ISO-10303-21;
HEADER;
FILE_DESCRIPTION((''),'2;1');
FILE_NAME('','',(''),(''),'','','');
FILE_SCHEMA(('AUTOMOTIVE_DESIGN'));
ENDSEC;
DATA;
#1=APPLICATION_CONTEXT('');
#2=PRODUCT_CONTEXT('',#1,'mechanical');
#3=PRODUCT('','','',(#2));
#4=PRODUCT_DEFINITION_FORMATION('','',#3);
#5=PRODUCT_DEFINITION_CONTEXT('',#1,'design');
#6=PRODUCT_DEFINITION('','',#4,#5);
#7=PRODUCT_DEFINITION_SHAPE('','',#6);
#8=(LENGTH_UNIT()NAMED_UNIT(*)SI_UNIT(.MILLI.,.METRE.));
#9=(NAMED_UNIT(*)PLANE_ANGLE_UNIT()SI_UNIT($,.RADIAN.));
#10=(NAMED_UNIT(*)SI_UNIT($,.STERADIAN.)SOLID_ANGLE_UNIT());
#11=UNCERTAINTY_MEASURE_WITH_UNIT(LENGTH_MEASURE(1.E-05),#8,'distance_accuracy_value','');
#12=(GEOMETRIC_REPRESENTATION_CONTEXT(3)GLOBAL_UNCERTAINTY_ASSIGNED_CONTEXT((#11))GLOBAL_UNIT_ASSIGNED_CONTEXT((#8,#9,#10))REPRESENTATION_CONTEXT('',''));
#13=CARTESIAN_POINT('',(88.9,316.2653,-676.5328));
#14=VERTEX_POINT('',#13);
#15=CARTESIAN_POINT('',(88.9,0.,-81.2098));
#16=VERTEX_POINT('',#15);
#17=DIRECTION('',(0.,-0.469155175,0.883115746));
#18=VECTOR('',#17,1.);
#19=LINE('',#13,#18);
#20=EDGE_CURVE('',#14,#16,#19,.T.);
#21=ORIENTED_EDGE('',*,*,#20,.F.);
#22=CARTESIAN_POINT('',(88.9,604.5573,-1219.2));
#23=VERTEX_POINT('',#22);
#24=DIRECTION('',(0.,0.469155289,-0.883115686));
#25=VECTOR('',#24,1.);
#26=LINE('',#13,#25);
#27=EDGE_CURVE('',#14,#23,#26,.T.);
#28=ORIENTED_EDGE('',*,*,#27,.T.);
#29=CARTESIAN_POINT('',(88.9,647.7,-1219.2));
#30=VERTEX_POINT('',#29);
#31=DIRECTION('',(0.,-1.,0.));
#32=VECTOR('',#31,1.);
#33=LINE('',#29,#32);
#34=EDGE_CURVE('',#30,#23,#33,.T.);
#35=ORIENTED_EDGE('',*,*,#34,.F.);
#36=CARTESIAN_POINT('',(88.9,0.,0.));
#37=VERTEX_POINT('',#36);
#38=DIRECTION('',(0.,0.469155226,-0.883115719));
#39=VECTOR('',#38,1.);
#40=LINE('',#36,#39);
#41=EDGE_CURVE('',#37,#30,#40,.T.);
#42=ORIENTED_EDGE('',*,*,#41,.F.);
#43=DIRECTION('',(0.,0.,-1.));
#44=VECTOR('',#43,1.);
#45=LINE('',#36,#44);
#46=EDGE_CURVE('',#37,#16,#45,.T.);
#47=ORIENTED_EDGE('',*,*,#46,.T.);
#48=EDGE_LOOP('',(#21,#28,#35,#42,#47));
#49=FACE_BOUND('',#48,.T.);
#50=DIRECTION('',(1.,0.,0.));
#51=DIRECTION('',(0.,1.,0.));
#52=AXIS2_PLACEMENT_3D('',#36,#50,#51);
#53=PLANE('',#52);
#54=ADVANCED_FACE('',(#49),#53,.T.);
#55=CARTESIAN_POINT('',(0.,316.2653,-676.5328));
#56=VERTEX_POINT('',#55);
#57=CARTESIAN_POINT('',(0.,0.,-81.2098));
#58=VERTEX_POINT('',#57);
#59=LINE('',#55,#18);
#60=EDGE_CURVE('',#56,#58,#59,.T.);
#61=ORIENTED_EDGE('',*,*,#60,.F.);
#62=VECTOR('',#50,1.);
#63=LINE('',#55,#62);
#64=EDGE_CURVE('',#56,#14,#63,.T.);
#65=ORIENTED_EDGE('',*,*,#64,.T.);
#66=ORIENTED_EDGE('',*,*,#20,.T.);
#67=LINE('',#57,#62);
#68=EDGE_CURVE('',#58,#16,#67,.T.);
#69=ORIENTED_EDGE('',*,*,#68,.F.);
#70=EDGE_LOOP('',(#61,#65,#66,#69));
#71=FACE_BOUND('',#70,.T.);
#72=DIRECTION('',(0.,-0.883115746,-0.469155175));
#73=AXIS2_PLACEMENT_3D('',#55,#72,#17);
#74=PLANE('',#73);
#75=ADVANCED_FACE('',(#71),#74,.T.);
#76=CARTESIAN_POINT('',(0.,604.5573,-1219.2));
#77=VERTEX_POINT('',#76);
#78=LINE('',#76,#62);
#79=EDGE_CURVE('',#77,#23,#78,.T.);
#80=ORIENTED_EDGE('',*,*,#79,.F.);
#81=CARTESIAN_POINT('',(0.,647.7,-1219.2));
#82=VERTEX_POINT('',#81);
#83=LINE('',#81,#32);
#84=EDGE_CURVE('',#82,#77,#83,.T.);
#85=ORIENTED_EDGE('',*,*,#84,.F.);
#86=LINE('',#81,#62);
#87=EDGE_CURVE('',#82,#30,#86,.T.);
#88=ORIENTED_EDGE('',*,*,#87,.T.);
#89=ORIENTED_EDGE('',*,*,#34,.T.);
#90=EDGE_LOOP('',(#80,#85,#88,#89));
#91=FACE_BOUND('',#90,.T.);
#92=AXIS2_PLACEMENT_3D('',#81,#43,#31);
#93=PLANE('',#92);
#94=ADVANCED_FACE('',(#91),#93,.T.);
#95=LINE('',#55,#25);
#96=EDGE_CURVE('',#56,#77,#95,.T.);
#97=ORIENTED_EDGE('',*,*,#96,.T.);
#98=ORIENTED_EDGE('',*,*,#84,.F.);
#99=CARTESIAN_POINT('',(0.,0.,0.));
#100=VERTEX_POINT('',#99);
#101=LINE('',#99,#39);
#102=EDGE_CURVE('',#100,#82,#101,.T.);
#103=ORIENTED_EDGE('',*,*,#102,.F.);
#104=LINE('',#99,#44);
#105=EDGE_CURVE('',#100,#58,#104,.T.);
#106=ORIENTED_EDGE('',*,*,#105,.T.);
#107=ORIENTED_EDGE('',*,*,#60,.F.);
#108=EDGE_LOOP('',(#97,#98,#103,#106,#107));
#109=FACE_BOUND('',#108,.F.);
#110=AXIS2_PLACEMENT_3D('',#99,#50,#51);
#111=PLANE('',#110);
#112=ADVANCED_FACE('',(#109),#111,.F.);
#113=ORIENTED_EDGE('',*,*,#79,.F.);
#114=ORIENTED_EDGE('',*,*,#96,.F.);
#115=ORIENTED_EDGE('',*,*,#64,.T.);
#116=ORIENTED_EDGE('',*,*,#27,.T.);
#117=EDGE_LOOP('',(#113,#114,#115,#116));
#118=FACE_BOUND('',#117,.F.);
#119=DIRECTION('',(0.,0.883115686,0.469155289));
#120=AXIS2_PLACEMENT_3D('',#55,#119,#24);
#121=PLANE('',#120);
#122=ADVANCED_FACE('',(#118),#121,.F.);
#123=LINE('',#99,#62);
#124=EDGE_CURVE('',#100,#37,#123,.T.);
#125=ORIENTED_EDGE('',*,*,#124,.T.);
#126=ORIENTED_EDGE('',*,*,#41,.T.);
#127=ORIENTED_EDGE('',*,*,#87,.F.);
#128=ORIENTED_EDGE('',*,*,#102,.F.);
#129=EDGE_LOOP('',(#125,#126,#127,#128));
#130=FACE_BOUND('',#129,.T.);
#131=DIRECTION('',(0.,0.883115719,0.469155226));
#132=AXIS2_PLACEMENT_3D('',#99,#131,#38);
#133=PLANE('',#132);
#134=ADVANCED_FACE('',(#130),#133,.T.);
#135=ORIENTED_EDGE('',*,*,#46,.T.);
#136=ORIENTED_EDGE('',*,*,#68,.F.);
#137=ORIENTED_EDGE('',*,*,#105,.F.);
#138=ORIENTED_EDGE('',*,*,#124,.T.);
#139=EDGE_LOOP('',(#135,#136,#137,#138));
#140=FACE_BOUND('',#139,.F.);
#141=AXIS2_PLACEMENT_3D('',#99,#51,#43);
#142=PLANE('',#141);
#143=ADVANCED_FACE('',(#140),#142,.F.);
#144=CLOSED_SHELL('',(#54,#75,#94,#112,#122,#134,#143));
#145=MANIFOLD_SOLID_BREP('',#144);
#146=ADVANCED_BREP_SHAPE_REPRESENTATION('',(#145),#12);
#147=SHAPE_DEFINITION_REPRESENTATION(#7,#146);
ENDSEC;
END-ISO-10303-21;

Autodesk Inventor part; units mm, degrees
ref_plane "YZ Plane" through (0, 0, 0) normal (1, 0, 0) x (0, 1, 0)
ref_plane "XZ Plane" through (0, 0, 0) normal (0, 1, 0) x (-1, 0, 0)
ref_plane "XY Plane" through (0, 0, 0) normal (0, 0, 1) x (1, 0, 0)
sketch "Sketch1" plane through (0, 0, 0) normal (1, 0, 0) x (0, 1, 0)
  line L0 (0, 0) -> (647.7, -1219.2)
  line L1 (0, 0) -> (0, -81.2098)
  line L2 (647.7, -1219.2) -> (604.5573, -1219.2)
  line L3 (316.2653, -676.5328) -> (604.5573, -1219.2)
  line L4 (316.2653, -676.5328) -> (0, -81.2098)
  line L5 (0, -1219.2) -> (0, -1478.0804)
extrude "Extrusion1" add sketch "Sketch1" along normal blind 88.9
properties part number "S_2x4x54.35"
